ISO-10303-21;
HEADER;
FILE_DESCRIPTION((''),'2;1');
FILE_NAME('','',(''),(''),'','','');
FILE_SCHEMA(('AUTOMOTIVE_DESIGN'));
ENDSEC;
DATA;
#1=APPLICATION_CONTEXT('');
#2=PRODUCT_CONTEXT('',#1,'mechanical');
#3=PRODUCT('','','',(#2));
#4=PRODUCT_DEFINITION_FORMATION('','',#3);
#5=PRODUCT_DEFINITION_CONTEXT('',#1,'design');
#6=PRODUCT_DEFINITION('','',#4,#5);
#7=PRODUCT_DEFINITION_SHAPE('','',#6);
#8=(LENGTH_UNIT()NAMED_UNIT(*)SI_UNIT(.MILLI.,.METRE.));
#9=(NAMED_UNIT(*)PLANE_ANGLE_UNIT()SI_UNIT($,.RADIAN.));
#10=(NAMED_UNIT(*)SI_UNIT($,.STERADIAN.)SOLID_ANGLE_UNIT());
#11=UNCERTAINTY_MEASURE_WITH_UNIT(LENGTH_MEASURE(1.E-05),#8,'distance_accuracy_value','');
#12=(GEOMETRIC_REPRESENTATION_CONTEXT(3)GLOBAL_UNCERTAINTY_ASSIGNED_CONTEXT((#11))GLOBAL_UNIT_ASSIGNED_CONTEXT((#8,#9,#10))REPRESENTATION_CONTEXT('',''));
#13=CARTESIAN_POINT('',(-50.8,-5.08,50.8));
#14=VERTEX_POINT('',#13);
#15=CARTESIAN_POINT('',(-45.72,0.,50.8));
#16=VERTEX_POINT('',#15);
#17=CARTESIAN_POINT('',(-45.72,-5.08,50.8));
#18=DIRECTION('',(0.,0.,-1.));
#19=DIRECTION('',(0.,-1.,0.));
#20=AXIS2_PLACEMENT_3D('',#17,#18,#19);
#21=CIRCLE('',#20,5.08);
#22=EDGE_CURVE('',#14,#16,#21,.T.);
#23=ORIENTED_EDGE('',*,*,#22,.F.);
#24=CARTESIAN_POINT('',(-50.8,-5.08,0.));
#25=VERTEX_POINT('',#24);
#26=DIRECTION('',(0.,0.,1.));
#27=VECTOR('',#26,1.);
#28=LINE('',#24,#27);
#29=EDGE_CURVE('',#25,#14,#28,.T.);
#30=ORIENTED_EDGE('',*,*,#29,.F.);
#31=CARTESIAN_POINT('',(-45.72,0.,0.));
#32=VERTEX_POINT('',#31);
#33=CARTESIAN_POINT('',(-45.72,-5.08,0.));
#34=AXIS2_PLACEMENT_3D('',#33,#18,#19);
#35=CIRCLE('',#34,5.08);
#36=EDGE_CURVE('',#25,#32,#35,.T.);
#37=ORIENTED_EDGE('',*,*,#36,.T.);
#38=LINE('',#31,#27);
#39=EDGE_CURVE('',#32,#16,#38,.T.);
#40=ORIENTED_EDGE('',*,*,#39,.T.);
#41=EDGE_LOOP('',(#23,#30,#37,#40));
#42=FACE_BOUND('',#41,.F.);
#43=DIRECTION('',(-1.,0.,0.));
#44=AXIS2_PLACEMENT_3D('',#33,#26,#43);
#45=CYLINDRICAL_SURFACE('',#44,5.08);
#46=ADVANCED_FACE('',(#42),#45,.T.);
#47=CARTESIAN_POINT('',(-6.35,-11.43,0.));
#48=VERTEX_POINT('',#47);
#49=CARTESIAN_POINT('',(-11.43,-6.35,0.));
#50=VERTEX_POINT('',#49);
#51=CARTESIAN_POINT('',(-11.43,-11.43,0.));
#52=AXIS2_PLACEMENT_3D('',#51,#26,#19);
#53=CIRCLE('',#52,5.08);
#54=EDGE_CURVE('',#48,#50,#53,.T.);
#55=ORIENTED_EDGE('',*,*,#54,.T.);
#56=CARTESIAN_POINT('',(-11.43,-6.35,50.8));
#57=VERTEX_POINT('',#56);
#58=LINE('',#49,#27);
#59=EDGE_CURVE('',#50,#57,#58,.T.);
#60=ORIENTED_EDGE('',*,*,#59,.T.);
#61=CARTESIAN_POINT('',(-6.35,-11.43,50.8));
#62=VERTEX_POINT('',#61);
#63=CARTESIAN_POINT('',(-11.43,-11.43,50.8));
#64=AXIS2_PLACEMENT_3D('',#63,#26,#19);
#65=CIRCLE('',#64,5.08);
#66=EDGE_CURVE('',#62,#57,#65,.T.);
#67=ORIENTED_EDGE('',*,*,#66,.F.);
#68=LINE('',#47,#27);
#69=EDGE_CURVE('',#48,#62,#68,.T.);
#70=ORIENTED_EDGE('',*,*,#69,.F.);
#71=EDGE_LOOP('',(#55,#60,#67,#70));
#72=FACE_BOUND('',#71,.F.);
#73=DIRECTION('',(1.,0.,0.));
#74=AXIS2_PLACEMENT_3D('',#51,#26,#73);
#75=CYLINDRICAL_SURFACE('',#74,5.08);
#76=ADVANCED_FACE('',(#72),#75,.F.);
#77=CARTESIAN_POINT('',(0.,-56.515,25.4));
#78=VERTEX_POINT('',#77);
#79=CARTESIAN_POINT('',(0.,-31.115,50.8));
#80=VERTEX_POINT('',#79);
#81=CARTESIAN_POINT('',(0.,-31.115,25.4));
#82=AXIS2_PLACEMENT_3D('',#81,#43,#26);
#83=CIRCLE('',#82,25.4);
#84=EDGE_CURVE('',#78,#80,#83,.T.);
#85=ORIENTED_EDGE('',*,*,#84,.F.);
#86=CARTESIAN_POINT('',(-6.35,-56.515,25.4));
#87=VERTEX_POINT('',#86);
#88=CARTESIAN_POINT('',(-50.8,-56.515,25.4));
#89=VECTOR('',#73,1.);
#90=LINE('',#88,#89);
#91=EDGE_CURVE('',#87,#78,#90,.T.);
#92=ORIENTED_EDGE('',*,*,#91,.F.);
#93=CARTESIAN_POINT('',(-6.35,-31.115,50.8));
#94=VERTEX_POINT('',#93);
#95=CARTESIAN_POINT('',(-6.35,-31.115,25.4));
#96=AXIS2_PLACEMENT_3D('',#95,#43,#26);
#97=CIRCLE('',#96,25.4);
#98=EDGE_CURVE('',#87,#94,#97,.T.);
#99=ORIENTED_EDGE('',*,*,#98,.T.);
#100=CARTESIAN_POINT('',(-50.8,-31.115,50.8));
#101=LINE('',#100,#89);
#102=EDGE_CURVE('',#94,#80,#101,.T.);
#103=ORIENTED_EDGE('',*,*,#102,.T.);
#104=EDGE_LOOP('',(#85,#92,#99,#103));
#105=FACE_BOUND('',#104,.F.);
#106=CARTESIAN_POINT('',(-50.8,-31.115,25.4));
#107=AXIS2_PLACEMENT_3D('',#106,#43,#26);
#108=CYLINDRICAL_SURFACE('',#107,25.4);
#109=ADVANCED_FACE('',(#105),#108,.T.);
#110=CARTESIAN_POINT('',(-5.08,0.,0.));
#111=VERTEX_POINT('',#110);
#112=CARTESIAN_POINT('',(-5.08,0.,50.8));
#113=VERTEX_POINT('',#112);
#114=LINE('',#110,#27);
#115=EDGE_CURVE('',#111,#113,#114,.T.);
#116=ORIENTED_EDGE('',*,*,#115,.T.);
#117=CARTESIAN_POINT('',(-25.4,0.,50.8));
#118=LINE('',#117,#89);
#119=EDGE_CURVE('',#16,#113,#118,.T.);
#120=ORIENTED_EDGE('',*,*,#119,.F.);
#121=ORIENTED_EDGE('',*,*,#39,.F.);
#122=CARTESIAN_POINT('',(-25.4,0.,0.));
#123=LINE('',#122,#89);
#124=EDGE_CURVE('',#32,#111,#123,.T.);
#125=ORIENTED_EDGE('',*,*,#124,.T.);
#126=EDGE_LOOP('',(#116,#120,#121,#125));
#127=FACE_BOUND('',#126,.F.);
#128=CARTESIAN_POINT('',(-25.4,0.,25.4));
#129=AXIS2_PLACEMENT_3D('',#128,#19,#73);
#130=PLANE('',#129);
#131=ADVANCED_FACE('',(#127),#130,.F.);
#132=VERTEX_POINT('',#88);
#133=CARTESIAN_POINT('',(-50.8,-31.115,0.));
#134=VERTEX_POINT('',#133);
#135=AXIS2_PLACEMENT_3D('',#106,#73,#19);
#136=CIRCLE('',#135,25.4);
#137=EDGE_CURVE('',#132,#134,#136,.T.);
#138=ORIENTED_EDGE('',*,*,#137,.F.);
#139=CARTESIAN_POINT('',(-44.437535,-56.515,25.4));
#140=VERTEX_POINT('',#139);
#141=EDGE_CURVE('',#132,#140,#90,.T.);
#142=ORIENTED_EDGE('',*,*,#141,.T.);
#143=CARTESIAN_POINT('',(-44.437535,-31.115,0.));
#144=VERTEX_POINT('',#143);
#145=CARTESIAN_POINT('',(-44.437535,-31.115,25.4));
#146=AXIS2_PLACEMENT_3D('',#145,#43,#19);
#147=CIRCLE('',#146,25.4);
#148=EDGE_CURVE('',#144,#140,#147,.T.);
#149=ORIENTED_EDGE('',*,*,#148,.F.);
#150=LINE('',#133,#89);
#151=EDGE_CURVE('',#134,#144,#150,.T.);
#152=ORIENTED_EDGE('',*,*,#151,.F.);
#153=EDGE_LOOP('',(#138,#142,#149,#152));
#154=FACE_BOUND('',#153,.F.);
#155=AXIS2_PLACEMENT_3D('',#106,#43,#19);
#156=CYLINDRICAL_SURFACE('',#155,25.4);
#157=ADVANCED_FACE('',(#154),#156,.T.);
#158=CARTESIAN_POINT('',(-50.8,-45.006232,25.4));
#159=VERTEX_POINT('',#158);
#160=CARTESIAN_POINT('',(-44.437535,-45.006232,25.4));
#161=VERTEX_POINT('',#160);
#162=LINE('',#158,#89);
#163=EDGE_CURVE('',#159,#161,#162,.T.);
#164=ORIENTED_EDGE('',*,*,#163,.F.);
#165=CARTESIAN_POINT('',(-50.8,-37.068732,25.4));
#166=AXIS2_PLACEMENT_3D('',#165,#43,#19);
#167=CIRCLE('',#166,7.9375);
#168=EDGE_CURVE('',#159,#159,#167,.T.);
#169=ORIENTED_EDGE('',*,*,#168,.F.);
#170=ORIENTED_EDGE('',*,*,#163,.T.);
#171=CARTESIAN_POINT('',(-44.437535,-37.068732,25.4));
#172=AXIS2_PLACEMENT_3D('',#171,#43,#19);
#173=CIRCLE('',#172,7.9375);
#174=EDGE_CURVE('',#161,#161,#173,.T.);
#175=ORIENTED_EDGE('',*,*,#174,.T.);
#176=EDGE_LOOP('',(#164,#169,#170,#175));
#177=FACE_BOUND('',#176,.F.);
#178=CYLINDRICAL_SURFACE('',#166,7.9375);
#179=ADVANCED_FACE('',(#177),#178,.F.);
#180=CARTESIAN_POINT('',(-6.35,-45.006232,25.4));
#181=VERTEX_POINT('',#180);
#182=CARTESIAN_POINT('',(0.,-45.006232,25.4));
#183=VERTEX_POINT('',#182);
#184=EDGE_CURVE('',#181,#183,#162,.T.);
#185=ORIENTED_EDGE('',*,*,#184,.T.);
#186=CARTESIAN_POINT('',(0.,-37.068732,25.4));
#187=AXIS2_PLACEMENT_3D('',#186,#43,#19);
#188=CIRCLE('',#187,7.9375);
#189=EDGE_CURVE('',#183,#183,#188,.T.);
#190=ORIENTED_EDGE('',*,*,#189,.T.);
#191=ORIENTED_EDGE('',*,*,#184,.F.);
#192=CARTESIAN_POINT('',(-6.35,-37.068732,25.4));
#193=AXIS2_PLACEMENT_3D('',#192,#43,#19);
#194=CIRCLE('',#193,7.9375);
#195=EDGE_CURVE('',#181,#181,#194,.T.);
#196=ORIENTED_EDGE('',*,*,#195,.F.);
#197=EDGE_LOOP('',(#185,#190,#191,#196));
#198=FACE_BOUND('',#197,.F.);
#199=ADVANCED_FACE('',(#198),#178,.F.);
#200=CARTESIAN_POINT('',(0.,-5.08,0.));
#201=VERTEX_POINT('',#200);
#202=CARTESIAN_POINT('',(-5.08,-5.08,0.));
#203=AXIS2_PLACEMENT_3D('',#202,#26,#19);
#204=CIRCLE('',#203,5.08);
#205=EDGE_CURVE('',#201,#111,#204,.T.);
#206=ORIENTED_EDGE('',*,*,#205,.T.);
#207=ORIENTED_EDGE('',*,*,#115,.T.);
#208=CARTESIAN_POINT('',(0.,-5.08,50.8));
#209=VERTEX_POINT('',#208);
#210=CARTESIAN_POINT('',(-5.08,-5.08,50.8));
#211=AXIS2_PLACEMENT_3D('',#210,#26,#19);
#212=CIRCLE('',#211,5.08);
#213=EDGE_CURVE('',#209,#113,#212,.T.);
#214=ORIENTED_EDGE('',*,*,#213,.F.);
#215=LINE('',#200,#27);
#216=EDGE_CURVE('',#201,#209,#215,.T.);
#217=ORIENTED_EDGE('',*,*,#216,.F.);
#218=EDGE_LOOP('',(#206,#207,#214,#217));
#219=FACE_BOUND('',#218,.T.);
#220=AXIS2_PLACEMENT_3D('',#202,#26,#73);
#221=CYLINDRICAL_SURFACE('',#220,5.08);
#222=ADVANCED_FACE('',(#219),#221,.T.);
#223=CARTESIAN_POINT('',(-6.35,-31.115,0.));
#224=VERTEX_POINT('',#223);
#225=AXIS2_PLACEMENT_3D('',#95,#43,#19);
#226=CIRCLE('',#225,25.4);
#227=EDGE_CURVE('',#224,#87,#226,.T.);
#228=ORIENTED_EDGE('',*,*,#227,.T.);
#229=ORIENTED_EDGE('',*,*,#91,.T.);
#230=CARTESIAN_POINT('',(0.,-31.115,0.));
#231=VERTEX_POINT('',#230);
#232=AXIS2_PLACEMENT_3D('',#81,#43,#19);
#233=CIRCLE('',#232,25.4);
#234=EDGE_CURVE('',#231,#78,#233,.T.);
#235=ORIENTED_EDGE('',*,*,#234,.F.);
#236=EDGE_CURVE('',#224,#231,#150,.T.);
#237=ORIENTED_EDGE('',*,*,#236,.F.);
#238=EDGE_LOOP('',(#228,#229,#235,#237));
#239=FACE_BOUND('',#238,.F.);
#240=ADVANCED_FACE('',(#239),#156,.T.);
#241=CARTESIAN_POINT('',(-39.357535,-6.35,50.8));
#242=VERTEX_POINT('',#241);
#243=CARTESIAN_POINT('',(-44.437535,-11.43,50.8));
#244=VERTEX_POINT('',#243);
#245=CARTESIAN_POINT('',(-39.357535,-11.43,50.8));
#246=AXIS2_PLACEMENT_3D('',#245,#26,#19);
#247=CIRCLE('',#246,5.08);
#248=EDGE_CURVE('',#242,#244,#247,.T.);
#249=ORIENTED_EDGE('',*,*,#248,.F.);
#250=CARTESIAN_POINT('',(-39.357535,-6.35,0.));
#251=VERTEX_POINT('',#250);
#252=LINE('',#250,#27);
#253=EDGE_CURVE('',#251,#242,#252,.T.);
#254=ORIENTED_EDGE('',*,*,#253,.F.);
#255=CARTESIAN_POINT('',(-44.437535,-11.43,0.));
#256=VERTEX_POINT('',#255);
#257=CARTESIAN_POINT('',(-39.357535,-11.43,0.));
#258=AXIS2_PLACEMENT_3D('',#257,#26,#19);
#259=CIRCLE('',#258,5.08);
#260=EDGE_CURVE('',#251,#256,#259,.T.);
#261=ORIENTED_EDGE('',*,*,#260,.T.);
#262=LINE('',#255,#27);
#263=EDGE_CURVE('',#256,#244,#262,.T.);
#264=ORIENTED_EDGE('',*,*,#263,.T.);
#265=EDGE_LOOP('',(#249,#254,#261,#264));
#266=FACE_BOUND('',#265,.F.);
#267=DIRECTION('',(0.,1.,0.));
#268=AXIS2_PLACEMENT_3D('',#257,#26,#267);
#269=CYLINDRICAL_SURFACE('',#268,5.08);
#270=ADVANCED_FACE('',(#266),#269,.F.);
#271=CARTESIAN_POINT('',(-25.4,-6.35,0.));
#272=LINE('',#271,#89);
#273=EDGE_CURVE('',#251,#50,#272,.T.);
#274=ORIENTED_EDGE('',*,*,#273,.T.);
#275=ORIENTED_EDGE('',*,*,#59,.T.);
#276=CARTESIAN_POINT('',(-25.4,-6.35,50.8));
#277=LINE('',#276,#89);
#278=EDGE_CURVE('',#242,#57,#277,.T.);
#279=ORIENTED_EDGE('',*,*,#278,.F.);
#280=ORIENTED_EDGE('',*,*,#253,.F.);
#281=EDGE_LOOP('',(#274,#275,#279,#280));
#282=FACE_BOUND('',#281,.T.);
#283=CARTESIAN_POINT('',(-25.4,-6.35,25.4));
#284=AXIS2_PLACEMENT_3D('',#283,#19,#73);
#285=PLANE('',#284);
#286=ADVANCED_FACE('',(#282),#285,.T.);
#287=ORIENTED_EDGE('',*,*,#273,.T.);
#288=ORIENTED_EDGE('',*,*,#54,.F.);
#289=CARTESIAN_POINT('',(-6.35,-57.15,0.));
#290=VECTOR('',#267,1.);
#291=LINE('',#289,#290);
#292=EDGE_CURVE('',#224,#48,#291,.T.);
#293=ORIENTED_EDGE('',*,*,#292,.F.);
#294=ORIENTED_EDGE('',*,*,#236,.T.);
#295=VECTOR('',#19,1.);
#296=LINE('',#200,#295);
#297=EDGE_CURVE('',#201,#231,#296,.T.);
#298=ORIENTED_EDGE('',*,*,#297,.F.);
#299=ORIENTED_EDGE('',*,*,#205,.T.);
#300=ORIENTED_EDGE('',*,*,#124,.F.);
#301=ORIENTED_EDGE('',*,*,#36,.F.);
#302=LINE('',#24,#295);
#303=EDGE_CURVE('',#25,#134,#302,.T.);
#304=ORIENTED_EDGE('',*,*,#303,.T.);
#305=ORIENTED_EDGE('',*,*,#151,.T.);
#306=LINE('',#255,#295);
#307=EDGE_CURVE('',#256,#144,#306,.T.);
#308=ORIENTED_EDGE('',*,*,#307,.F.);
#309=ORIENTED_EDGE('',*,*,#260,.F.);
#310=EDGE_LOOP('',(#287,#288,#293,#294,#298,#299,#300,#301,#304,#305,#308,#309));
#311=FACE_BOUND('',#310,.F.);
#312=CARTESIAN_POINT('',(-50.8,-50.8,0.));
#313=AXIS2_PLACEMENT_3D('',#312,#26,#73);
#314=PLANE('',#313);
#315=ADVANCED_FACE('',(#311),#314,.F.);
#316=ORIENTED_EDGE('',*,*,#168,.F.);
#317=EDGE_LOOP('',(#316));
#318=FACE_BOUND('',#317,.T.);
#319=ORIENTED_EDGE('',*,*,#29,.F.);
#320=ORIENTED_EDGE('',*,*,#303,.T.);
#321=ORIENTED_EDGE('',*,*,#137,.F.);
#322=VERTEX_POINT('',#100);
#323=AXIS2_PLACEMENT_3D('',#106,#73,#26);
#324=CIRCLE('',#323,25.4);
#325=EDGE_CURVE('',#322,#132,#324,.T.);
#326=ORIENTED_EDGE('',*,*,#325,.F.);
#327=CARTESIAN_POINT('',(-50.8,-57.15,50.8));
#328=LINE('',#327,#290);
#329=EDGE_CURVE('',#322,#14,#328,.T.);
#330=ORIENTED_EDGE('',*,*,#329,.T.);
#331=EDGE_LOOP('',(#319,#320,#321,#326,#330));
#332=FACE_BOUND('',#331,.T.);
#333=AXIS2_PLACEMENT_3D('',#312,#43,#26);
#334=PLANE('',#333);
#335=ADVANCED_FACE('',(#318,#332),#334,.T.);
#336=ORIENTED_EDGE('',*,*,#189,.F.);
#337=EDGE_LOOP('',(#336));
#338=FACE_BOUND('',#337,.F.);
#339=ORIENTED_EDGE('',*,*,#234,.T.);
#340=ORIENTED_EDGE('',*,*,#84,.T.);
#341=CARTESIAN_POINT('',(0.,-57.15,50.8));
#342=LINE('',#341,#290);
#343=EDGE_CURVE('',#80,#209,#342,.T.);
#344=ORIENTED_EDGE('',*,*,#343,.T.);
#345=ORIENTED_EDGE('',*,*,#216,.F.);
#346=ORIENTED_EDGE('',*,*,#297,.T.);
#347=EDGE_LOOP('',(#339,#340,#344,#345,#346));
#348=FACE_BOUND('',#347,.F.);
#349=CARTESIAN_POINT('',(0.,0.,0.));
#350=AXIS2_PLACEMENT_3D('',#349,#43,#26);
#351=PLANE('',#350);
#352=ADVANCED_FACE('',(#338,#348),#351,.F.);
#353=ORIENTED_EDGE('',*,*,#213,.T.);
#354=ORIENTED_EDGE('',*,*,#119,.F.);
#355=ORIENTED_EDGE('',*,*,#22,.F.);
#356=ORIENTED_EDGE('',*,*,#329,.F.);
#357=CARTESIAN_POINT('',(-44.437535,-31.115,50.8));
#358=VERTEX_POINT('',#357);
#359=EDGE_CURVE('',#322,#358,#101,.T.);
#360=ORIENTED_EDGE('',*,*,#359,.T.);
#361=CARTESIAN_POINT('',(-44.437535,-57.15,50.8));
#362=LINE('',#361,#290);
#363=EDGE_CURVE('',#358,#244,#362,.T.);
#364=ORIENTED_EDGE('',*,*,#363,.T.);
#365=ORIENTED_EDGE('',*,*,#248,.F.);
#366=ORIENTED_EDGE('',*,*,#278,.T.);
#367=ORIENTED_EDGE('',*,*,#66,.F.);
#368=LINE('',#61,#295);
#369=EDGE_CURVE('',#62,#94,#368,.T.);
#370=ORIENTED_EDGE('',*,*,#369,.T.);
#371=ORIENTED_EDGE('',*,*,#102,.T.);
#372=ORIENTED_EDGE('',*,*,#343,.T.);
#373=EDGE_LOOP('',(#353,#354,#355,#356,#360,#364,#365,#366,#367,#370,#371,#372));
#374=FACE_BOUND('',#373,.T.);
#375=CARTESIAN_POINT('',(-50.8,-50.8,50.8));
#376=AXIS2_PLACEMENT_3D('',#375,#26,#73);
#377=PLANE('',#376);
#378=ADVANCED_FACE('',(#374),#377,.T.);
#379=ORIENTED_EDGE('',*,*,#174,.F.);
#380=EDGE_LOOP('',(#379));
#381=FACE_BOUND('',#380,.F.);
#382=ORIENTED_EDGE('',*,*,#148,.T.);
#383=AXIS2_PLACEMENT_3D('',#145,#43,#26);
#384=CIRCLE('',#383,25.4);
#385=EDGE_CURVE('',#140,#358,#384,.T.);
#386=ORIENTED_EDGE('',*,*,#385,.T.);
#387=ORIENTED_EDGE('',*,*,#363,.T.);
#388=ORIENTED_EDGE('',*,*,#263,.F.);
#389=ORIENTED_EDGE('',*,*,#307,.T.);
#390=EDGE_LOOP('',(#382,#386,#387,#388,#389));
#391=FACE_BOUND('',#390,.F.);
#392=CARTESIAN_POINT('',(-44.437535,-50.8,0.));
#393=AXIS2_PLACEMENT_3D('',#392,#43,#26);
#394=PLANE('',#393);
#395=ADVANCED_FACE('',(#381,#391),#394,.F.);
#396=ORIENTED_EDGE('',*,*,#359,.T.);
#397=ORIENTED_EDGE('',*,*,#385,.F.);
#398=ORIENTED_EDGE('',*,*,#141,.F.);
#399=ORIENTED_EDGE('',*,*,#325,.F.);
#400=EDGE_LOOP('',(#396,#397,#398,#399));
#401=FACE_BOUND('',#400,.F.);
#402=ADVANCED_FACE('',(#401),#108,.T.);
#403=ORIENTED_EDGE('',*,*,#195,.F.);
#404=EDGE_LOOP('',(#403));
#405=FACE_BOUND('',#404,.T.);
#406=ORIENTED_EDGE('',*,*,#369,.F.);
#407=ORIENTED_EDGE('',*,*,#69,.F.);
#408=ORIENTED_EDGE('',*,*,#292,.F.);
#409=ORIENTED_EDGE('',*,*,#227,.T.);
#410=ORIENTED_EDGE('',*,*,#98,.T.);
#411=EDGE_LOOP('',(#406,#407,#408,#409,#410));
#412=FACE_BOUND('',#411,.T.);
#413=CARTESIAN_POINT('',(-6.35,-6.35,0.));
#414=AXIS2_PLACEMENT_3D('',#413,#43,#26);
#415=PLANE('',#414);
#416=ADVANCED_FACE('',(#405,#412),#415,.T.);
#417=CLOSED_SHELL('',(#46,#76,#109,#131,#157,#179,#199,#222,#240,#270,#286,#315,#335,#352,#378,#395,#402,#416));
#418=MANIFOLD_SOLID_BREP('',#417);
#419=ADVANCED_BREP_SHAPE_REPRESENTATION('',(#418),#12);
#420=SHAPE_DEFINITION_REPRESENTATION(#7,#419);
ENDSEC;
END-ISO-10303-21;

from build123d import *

# Parameters (mm, degrees)
F0_W     = 50.8
F0_H     = 50.8
F1_DEPTH = 6.35
F2_W     = 6.3624648929
F2_H     = 50.8
F2_W_2   = 6.35
F3_DEPTH = 44.45
F4_R     = 5.08
F5_DEPTH = 6.35
F7_DEPTH = 148.336
F8_R     = 7.9375
F9_DEPTH = 94.742


with BuildPart() as f1:
    # F0 (on Front) → F1 (new body)
    with BuildSketch(Plane.XZ):
        with Locations((-25.4, 25.4)):
            Rectangle(F0_W, F0_H)
    extrude(amount=F1_DEPTH)

    # F2 (on face) → F3 (join)
    with BuildSketch(Plane.XZ.offset(6.35)):
        with Locations((-47.6187675536, 25.4)):
            Rectangle(F2_W, F2_H)
        with Locations((-3.175, 25.4)):
            Rectangle(F2_W_2, F2_H)
    extrude(amount=F3_DEPTH)

    # F4
    f4_edges = [f1.edges().sort_by_distance(p)[0] for p in [
        (-6.35, -6.35, 25.4),
        (-50.8, 0, 25.4),
        (-44.437535, -6.35, 25.4),
        (0, 0, 25.4),
    ]]
    fillet(f4_edges, radius=F4_R)

    # F5 (add): faces of the model
    f5_faces = [f1.faces().sort_by_distance(p)[0] for p in [
        (-47.6187675536, -50.8, 25.4),
        (-3.175, -50.8, 25.4),
        (-47.6187675536, -50.8, 25.4),
        (-3.175, -50.8, 25.4),
    ]]
    extrude(f5_faces, amount=F5_DEPTH)

    # F6 (on face) → F7 (cut)
    with BuildSketch(Plane(origin=(-50.8, 0, 0), x_dir=(0, -1, 0), z_dir=(-1, 0, 0))):
        with BuildLine():
            ThreePointArc((31.115, 50.8), (49.0755122421, 43.3605122421), (56.515, 25.4))
            ThreePointArc((56.515, 25.4), (49.0755122421, 7.4394877579), (31.115, 0))
            Line((31.115, 0), (57.15, 0))
            Line((57.15, 0), (57.15, 50.8))
            Line((57.15, 50.8), (31.115, 50.8))
        make_face()
    extrude(amount=-F7_DEPTH, mode=Mode.SUBTRACT)

    # F8 (on face) → F9 (cut)
    with BuildSketch(Plane(origin=(-50.8, 0, 0), x_dir=(0, -1, 0), z_dir=(-1, 0, 0))):
        with Locations((37.0687320828, 25.4)):
            Circle(F8_R)
    extrude(amount=-F9_DEPTH, mode=Mode.SUBTRACT)


solid = f1.part
